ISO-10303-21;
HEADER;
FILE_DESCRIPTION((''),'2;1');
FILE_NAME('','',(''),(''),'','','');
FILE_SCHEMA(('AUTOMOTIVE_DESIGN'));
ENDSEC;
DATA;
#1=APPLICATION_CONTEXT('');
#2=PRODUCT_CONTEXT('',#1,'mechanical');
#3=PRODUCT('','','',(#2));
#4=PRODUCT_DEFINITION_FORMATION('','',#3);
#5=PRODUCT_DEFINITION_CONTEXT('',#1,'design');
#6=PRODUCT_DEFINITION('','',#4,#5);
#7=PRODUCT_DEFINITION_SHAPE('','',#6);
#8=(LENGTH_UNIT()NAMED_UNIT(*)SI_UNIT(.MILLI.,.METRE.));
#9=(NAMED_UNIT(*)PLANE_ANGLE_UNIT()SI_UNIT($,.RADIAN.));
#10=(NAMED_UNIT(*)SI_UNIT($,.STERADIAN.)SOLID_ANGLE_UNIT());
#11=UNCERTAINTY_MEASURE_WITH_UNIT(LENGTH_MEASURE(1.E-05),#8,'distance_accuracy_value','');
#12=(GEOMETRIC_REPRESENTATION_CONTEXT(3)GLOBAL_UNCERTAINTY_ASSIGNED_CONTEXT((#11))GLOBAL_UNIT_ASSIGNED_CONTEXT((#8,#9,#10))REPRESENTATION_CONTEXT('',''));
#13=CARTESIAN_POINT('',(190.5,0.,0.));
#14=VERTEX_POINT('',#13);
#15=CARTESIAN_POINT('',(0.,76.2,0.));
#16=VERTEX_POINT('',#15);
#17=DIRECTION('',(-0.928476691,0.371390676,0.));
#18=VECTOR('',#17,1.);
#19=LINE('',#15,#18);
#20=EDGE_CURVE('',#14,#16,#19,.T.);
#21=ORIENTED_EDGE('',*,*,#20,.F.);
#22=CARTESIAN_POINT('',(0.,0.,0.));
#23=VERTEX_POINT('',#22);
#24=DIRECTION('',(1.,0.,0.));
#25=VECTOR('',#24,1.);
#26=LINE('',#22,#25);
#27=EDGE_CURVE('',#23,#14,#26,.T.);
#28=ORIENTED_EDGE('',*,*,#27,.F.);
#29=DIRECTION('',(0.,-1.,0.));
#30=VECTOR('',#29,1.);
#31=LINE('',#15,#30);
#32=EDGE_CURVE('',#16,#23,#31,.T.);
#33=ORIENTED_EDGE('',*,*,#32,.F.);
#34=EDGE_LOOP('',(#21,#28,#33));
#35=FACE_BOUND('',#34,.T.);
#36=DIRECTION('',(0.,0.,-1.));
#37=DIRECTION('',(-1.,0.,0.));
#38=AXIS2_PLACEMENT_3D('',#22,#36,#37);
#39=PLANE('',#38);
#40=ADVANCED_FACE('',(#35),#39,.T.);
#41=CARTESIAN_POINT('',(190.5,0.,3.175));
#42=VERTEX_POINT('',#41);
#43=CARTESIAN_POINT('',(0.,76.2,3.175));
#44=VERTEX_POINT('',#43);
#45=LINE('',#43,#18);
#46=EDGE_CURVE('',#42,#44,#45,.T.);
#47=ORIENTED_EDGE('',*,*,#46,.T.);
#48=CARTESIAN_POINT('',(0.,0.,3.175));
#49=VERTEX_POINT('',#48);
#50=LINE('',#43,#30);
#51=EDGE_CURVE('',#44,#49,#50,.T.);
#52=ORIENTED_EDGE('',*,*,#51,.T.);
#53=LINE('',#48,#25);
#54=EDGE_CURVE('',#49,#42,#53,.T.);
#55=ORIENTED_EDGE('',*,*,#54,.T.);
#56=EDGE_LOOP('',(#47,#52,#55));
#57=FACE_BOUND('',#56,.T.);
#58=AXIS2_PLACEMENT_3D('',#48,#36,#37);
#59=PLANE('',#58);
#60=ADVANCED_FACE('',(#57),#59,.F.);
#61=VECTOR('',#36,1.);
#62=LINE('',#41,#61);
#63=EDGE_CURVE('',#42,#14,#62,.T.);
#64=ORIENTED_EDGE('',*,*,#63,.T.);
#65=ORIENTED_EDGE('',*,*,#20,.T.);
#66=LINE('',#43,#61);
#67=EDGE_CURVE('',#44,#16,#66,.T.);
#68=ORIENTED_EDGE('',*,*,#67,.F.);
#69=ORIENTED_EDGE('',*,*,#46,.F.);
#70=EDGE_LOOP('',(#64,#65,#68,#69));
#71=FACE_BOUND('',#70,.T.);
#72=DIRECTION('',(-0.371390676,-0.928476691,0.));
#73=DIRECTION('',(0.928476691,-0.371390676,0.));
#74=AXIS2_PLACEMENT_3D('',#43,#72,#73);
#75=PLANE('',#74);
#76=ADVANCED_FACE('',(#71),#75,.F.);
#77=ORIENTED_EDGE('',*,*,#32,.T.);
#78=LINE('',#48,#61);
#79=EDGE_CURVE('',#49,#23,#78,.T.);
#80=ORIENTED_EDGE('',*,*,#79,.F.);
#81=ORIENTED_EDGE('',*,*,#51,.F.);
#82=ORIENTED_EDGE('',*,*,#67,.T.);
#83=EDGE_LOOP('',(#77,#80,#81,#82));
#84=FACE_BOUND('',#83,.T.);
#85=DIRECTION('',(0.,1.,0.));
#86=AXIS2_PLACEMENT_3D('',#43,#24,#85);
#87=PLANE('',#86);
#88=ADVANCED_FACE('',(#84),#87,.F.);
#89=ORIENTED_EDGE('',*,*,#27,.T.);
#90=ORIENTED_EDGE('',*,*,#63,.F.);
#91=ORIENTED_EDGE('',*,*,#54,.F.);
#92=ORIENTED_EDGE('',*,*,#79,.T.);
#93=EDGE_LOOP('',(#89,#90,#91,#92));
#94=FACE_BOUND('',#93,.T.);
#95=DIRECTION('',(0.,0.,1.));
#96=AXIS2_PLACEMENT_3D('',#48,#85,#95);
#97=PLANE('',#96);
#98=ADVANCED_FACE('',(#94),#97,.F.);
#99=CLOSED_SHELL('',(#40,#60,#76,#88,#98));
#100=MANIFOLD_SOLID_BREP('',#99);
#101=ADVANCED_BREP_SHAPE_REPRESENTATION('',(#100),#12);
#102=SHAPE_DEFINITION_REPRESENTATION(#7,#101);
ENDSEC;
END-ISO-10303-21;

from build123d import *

# Parameters (mm, degrees)
BOSS_EXTRUDE1_DEPTH = 3.175


with BuildPart() as part:
    # Sketch1 → Boss-Extrude1 (new body)
    with BuildSketch(Plane.XY):
        Polygon((0, 76.2), (0, 0), (190.5, 0), align=None)
    extrude(amount=BOSS_EXTRUDE1_DEPTH)


solid = part.part
